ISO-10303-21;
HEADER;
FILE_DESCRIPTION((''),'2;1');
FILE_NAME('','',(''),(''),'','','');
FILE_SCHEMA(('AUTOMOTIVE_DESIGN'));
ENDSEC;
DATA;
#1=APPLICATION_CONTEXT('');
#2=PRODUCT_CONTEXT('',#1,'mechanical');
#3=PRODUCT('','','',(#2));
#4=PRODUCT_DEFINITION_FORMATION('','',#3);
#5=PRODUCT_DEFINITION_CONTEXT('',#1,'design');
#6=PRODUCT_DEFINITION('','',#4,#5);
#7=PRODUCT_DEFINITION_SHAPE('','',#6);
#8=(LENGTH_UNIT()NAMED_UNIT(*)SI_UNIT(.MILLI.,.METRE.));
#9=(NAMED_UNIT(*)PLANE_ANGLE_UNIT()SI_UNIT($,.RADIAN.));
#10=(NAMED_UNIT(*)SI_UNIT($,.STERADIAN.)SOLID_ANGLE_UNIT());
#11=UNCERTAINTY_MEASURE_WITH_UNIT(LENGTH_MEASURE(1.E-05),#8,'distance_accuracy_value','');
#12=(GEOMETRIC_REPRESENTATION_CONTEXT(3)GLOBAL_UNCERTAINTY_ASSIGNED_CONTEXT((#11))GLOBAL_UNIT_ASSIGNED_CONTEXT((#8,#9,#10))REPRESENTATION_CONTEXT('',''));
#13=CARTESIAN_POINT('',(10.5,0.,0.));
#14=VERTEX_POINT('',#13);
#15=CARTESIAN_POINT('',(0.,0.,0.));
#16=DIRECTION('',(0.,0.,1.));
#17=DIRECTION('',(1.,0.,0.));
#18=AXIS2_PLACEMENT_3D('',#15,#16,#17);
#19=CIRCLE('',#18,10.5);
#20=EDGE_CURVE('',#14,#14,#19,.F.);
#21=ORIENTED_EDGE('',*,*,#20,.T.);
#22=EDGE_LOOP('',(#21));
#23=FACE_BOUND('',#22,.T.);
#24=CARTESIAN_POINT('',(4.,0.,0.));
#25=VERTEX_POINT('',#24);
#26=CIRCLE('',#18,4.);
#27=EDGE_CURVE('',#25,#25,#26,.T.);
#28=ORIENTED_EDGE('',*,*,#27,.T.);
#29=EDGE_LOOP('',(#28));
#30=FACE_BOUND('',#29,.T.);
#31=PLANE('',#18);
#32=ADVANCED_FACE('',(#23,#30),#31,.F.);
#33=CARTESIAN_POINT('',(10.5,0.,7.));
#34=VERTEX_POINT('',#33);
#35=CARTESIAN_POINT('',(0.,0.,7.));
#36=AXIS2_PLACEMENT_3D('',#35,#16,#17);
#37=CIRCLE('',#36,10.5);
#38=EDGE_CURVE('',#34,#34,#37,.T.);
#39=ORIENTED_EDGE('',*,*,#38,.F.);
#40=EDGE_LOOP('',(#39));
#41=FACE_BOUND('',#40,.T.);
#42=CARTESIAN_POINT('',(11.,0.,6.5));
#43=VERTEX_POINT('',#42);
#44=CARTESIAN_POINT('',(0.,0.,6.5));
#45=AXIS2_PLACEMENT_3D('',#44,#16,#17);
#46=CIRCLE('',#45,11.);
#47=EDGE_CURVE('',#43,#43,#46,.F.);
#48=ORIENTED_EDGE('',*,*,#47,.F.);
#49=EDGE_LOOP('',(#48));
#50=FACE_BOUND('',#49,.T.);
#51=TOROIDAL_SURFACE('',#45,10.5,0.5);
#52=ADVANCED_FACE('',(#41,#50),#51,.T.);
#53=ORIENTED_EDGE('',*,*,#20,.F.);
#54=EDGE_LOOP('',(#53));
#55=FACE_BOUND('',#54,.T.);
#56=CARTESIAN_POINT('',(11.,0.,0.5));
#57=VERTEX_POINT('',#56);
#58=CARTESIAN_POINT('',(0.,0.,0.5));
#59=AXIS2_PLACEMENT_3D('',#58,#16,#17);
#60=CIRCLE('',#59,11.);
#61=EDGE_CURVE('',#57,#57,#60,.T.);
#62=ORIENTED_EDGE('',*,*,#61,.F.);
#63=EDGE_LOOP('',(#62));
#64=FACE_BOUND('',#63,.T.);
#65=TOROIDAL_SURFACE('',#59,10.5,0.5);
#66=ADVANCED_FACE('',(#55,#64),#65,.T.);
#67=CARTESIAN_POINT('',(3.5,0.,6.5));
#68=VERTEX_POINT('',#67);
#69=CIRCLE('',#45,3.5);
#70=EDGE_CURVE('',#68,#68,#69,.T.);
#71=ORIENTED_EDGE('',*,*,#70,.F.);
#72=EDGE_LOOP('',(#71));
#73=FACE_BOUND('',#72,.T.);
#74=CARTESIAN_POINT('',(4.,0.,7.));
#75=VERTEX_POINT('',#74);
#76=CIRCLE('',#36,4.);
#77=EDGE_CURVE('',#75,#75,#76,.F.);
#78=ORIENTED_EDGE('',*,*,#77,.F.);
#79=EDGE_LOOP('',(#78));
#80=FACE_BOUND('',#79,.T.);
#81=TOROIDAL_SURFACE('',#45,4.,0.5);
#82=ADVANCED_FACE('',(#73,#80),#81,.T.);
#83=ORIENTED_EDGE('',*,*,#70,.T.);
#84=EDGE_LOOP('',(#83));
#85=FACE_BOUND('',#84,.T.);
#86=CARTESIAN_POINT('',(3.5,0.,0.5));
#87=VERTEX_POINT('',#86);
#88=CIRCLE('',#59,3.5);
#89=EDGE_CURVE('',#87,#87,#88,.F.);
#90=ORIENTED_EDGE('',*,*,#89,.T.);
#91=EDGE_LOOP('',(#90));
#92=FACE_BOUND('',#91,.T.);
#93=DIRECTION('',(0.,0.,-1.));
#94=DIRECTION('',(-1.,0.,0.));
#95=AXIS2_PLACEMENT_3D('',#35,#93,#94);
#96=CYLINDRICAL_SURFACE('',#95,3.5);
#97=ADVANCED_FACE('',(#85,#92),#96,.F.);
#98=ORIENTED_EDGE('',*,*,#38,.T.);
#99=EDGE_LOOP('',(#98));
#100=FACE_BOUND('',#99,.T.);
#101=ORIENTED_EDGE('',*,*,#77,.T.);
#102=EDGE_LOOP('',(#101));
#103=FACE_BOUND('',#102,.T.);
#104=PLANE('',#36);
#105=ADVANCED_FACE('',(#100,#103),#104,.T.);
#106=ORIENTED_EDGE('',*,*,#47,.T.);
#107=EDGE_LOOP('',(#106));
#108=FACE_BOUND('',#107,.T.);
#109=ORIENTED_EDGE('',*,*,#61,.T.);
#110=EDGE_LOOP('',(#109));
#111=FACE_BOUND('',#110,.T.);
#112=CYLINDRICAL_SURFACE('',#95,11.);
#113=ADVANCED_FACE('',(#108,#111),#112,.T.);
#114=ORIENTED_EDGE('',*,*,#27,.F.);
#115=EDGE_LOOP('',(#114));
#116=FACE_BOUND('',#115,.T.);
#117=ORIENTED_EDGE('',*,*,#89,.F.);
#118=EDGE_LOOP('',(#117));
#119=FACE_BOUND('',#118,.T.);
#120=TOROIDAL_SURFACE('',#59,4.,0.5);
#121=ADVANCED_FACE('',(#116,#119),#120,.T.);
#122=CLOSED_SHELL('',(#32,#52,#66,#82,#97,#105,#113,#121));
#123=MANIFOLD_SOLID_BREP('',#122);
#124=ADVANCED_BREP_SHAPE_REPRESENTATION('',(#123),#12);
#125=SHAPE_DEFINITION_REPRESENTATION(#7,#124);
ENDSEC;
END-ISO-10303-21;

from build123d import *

# Parameters (mm, degrees)
SKETCH_1_R      = 11
SKETCH_1_R_2    = 3.5
EXTRUDE_1_DEPTH = 7
FILLET_1_R      = 0.5


with BuildPart() as part:
    # Эскиз1 → Бобышка-Вытянуть1 (new body)
    with BuildSketch(Plane.XY):
        Circle(SKETCH_1_R)
        Circle(SKETCH_1_R_2, mode=Mode.SUBTRACT)
    extrude(amount=EXTRUDE_1_DEPTH)

    # Скругление1
    fillet_1_edges = [part.edges().sort_by_distance(p)[0] for p in [
        (-11, 0, 0),
        (-11, 0, 7),
        (-3.5, 0, 0),
        (-3.5, 0, 7),
    ]]
    fillet(fillet_1_edges, radius=FILLET_1_R)


solid = part.part
